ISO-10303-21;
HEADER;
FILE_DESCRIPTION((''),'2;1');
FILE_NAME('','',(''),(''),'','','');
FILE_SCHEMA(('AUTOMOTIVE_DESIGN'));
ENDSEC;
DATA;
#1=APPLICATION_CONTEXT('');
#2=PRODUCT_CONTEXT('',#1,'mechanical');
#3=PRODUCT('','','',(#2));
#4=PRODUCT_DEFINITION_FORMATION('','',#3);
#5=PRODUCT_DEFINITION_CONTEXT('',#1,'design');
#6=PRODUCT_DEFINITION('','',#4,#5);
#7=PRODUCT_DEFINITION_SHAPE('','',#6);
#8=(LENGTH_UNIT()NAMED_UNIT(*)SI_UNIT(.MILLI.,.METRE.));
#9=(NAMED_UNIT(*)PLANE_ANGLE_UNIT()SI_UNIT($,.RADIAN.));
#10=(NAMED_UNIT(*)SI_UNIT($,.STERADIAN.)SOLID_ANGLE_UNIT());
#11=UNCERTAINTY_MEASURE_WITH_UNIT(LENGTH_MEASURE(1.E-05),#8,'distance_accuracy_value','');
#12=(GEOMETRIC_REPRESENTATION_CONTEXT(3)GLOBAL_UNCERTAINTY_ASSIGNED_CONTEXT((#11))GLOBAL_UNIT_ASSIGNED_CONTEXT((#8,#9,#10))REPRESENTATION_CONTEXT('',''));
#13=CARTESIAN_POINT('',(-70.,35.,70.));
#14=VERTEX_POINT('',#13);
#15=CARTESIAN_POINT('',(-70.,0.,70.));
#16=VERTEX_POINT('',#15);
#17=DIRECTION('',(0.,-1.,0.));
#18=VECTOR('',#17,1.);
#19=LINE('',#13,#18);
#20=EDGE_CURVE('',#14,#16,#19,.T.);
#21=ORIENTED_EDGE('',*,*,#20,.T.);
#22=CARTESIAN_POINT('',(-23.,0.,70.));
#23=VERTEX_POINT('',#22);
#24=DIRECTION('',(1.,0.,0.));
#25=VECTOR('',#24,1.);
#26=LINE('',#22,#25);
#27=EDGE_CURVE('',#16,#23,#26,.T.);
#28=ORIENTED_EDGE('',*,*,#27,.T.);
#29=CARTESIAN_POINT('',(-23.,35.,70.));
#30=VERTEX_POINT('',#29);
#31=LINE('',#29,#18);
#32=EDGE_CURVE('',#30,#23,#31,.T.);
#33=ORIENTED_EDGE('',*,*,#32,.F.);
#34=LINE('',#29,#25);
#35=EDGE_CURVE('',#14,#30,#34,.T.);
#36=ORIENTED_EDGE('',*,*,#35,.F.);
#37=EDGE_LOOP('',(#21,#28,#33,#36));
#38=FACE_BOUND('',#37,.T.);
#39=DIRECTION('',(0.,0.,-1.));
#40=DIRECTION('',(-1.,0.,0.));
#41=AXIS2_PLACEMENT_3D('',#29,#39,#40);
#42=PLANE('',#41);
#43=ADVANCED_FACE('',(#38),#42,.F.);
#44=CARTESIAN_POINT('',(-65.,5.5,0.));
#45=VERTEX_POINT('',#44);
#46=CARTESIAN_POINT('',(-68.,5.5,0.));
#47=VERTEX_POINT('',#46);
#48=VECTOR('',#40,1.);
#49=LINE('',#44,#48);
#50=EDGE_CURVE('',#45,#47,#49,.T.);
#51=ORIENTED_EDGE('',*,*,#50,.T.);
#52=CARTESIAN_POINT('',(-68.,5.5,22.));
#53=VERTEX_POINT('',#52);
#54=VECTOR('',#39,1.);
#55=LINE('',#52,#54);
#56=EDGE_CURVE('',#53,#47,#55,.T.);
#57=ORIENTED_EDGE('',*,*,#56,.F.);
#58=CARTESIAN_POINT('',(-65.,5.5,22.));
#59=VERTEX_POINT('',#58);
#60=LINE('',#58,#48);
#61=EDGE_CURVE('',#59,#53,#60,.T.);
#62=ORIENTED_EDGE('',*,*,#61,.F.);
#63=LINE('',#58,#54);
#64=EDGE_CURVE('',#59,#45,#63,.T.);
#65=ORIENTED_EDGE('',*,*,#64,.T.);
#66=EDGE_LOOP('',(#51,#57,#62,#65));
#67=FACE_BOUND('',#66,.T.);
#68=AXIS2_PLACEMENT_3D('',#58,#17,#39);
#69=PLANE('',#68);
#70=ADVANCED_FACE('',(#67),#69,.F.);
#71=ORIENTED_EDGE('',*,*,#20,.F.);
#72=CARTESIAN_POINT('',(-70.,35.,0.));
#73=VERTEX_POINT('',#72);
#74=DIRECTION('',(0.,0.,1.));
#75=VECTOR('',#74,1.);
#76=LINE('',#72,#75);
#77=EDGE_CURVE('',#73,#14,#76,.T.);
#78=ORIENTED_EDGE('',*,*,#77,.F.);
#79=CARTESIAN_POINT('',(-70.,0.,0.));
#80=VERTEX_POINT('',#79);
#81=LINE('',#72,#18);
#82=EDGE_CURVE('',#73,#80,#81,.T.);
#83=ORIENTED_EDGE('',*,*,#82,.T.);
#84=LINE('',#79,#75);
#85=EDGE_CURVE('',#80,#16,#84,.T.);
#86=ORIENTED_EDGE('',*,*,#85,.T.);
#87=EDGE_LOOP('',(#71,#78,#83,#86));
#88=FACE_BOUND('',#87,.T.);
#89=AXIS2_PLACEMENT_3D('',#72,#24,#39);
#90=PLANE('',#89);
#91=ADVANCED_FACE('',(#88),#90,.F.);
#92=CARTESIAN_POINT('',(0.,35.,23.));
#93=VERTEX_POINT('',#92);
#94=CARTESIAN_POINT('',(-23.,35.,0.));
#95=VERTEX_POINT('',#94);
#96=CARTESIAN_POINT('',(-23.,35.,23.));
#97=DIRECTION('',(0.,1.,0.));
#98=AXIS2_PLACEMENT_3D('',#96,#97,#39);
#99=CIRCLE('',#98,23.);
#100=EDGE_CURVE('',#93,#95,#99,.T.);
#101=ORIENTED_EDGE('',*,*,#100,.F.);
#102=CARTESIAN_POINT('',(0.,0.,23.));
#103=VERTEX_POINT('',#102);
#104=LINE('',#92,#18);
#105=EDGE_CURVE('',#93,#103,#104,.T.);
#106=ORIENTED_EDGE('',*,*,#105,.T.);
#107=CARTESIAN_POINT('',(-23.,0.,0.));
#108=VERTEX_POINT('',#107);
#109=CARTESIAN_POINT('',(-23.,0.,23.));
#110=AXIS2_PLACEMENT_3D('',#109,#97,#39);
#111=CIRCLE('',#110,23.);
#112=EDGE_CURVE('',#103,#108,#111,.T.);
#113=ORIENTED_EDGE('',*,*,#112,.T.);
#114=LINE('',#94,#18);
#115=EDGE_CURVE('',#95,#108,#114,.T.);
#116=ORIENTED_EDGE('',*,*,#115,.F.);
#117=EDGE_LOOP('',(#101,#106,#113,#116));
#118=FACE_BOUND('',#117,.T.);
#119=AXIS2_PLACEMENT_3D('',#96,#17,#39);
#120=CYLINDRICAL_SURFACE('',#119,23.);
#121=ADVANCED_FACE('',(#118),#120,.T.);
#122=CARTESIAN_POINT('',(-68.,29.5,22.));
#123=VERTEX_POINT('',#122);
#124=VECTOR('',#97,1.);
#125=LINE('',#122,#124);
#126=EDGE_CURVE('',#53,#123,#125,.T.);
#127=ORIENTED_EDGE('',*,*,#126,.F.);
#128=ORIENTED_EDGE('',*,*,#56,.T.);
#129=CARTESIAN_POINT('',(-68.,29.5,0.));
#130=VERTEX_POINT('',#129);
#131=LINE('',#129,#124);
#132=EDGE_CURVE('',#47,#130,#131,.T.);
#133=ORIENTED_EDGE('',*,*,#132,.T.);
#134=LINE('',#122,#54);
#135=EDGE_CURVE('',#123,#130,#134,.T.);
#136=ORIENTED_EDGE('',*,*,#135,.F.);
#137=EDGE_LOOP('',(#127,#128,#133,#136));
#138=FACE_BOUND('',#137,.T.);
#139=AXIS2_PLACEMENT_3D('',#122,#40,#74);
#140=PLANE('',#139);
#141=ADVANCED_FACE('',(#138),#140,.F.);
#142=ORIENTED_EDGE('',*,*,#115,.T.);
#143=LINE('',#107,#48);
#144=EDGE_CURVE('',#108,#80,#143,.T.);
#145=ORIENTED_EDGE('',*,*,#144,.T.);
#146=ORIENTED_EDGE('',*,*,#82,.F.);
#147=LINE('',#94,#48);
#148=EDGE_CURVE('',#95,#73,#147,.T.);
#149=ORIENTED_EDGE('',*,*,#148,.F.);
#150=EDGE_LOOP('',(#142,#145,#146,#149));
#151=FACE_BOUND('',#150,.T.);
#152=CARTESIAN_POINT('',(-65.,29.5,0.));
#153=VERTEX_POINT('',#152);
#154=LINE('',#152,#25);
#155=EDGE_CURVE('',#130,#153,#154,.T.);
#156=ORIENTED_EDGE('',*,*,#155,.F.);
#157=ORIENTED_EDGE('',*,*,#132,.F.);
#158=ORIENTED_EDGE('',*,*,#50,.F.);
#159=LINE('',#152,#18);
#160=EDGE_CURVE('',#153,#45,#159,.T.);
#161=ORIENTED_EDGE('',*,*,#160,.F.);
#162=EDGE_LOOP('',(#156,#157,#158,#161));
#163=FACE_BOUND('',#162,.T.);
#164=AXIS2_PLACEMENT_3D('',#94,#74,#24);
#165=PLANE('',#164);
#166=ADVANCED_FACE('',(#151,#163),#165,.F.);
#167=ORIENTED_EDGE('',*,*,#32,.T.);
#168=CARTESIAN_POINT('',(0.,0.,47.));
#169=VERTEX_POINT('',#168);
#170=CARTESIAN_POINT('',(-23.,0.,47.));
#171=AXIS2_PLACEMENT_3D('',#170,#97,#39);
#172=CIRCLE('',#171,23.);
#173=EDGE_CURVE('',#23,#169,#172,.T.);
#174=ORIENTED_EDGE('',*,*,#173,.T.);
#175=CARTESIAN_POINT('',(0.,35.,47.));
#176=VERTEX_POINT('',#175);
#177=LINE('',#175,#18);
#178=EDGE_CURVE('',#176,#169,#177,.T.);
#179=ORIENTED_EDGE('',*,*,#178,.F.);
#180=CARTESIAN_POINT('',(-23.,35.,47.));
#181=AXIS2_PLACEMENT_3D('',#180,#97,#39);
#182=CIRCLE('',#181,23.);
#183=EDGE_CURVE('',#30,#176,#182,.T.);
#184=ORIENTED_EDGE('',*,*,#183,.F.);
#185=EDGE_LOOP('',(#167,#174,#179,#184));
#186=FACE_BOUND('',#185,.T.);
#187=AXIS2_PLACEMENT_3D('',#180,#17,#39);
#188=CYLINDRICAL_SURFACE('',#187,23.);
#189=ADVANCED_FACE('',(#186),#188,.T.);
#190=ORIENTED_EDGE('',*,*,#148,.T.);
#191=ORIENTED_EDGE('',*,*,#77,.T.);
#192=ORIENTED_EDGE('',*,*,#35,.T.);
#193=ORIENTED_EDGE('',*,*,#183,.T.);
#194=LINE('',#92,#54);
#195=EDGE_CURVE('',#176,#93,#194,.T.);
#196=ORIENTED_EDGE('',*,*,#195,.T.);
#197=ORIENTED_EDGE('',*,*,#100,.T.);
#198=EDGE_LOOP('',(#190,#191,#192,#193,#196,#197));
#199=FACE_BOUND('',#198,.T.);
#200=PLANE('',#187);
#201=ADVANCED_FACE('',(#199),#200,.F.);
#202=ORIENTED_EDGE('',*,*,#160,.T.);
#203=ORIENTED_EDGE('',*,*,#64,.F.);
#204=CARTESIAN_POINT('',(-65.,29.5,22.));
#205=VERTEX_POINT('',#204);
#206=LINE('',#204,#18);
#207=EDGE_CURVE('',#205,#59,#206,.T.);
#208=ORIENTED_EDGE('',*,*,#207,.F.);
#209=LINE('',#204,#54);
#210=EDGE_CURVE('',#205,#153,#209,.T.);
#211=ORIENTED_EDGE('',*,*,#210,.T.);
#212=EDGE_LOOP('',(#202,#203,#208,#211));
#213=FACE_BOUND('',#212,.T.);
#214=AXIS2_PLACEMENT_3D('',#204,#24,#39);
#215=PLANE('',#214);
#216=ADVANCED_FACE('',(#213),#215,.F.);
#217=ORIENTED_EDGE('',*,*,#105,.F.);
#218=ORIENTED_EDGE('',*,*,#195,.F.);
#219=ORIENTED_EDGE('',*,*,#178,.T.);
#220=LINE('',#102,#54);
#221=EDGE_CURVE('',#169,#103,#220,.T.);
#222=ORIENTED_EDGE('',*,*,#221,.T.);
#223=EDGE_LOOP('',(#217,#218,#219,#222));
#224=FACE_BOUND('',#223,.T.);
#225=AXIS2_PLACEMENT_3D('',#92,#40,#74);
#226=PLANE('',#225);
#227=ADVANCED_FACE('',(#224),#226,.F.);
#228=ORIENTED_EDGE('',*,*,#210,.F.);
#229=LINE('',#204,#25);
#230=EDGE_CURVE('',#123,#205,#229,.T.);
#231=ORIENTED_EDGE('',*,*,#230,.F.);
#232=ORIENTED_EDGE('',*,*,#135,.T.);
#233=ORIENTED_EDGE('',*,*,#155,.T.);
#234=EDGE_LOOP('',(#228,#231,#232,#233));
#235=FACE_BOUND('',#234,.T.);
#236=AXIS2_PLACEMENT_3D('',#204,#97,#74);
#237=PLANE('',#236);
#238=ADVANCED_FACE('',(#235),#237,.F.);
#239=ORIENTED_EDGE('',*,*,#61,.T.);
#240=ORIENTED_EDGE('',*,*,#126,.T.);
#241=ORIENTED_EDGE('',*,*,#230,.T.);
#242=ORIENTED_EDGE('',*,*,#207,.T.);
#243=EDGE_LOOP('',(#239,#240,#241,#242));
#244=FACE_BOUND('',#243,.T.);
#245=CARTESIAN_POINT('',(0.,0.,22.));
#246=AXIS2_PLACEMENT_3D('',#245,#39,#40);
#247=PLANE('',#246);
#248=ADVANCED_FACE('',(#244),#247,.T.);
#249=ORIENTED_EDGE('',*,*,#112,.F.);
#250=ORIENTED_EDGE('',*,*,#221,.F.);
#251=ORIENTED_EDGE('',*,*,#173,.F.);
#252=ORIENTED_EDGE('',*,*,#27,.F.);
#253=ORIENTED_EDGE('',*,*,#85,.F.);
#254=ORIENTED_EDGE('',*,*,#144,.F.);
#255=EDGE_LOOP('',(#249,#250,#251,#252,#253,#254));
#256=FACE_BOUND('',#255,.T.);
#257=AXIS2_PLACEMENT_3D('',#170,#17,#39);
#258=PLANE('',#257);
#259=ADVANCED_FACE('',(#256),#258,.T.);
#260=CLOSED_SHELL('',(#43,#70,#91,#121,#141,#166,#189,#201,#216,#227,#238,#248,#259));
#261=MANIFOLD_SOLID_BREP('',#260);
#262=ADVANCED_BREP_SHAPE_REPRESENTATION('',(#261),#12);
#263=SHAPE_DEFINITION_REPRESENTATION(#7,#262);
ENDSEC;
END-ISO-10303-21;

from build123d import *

# Parameters (mm, degrees)
SALIENTE_EXTRUIR1_DEPTH = 35
CROQUIS2_W              = 3
CROQUIS2_H              = 24
CORTAR_EXTRUIR1_DEPTH   = 22


with BuildPart() as part:
    # Croquis1 → Saliente-Extruir1 (new body)
    with BuildSketch(Plane(origin=(0, 0, 0), x_dir=(1, 0, 0), z_dir=(0, 1, 0))):
        with BuildLine():
            Line((-23, 0), (-70, 0))
            Line((-70, 0), (-70, -70))
            Line((-70, -70), (-23, -70))
            ThreePointArc((-23, -70), (-6.736544033, -63.263455967), (0, -47))
            Line((0, -47), (0, -23))
            ThreePointArc((0, -23), (-6.736544033, -6.736544033), (-23, 0))
        make_face()
    extrude(amount=SALIENTE_EXTRUIR1_DEPTH)

    # Croquis2 → Cortar-Extruir1 (cut)
    with BuildSketch(Plane(origin=(0, 0, 0), x_dir=(-1, 0, 0), z_dir=(0, 0, -1))):
        with Locations((66.5, 17.5)):
            Rectangle(CROQUIS2_W, CROQUIS2_H)
    extrude(amount=-CORTAR_EXTRUIR1_DEPTH, mode=Mode.SUBTRACT)


solid = part.part
